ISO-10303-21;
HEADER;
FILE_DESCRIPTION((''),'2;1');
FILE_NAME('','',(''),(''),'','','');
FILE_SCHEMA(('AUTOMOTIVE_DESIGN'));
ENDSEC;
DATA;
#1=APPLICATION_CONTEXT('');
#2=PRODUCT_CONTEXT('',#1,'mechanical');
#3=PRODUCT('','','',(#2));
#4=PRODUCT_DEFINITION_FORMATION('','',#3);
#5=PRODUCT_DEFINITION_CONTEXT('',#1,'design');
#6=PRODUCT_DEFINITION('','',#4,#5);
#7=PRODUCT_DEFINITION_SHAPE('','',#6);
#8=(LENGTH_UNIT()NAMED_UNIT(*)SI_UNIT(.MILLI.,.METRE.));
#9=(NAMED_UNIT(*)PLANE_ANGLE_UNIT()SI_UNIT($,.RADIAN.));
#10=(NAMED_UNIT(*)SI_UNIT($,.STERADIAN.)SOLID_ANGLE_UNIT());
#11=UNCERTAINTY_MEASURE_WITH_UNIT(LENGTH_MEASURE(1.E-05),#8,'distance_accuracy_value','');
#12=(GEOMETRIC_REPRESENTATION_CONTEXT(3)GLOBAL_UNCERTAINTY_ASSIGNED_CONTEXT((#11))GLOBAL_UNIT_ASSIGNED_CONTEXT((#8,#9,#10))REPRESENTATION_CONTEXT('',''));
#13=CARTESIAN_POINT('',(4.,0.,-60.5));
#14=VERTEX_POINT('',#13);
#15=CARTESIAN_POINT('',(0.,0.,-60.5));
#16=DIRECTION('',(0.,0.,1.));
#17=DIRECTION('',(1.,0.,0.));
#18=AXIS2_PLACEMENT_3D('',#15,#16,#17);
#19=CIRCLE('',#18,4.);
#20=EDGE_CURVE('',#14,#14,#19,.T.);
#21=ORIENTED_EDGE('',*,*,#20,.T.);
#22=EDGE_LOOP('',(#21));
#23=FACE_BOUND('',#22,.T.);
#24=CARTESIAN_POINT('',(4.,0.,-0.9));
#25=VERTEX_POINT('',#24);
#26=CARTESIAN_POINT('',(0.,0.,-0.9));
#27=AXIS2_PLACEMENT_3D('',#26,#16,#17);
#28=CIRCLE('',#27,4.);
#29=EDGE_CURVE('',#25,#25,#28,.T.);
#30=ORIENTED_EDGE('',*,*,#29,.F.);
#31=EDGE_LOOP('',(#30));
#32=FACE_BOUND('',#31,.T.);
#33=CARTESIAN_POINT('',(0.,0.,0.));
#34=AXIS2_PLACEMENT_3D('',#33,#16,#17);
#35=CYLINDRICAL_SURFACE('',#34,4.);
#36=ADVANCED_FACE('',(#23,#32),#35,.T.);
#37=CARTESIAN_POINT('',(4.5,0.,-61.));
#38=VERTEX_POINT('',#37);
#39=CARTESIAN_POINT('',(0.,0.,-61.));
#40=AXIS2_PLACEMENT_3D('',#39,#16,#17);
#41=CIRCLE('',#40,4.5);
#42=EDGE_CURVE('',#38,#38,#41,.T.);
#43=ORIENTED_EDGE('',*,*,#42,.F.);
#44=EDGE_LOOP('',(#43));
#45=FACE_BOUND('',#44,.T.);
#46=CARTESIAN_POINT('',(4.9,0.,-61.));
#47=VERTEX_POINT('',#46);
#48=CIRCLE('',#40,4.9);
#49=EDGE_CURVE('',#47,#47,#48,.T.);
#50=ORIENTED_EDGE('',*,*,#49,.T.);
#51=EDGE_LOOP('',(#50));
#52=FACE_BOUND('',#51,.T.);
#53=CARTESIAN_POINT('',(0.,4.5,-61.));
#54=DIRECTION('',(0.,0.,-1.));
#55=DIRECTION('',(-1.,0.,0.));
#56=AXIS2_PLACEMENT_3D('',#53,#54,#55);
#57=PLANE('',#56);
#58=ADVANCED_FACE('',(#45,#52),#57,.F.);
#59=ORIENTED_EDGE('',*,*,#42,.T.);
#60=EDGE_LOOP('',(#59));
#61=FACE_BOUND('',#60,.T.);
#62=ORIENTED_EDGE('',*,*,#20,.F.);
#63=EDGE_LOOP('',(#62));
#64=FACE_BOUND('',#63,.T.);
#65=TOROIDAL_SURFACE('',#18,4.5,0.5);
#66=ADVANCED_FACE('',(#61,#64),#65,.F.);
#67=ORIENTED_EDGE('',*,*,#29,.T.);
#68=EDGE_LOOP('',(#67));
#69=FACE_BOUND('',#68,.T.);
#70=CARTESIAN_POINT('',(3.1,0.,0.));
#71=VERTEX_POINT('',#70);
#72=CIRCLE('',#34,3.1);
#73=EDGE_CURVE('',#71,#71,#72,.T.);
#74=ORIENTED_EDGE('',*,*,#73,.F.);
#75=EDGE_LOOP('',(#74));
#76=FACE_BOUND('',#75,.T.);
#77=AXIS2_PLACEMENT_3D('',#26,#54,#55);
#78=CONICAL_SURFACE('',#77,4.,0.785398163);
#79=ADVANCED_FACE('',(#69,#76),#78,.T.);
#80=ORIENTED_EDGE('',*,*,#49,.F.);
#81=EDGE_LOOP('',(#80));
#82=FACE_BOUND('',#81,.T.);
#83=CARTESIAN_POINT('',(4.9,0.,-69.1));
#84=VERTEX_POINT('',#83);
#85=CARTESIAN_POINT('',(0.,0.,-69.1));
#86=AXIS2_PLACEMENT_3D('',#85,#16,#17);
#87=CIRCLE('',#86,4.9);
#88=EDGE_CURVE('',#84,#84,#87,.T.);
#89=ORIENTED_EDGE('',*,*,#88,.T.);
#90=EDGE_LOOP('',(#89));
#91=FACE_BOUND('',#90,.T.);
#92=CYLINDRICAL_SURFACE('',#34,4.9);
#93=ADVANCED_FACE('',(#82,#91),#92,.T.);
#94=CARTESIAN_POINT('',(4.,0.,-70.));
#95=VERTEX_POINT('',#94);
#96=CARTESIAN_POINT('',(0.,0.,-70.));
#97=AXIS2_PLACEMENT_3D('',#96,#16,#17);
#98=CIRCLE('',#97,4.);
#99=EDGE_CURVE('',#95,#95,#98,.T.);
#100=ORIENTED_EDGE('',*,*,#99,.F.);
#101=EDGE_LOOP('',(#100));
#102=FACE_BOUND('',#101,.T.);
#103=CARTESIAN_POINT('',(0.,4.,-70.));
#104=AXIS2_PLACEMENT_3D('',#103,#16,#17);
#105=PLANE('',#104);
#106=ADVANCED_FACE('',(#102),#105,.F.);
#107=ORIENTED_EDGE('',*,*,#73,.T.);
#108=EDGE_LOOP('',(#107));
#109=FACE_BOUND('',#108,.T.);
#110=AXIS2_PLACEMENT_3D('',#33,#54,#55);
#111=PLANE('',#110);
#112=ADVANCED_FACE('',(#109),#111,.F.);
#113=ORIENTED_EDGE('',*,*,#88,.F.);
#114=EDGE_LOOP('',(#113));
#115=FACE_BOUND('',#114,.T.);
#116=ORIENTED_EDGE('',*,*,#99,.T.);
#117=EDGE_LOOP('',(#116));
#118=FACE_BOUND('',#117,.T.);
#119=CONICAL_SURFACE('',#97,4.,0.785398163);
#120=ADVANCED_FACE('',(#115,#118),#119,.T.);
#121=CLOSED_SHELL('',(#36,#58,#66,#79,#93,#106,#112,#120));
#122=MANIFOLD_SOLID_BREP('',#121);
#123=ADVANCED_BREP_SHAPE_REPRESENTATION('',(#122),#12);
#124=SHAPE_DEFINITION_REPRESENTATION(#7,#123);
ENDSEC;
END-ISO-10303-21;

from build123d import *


with BuildPart() as part:
    # Sketch1 → Revolve1 (revolve)
    with BuildSketch(Plane(origin=(0, 0, 0), x_dir=(0, 0, -1), z_dir=(1, 0, 0)), mode=Mode.PRIVATE) as revolve1_sk:
        with BuildLine():
            Line((0, 0), (0, 3.1))
            Line((0, 3.1), (0.9, 4))
            Line((0.9, 4), (60.5, 4))
            ThreePointArc((60.5, 4), (60.853553391, 4.146446609), (61, 4.5))
            Line((61, 4.5), (61, 4.9))
            Line((61, 4.9), (69.1, 4.9))
            Line((69.1, 4.9), (70, 4))
            Line((70, 4), (70, 0))
            Line((70, 0), (0, 0))
        make_face()
    revolve(revolve1_sk.sketch.rotate(Axis((0, 0, 0), (0, 0, -1)), 90), axis=Axis((0, 0, 0), (0, 0, -1)))


solid = part.part
